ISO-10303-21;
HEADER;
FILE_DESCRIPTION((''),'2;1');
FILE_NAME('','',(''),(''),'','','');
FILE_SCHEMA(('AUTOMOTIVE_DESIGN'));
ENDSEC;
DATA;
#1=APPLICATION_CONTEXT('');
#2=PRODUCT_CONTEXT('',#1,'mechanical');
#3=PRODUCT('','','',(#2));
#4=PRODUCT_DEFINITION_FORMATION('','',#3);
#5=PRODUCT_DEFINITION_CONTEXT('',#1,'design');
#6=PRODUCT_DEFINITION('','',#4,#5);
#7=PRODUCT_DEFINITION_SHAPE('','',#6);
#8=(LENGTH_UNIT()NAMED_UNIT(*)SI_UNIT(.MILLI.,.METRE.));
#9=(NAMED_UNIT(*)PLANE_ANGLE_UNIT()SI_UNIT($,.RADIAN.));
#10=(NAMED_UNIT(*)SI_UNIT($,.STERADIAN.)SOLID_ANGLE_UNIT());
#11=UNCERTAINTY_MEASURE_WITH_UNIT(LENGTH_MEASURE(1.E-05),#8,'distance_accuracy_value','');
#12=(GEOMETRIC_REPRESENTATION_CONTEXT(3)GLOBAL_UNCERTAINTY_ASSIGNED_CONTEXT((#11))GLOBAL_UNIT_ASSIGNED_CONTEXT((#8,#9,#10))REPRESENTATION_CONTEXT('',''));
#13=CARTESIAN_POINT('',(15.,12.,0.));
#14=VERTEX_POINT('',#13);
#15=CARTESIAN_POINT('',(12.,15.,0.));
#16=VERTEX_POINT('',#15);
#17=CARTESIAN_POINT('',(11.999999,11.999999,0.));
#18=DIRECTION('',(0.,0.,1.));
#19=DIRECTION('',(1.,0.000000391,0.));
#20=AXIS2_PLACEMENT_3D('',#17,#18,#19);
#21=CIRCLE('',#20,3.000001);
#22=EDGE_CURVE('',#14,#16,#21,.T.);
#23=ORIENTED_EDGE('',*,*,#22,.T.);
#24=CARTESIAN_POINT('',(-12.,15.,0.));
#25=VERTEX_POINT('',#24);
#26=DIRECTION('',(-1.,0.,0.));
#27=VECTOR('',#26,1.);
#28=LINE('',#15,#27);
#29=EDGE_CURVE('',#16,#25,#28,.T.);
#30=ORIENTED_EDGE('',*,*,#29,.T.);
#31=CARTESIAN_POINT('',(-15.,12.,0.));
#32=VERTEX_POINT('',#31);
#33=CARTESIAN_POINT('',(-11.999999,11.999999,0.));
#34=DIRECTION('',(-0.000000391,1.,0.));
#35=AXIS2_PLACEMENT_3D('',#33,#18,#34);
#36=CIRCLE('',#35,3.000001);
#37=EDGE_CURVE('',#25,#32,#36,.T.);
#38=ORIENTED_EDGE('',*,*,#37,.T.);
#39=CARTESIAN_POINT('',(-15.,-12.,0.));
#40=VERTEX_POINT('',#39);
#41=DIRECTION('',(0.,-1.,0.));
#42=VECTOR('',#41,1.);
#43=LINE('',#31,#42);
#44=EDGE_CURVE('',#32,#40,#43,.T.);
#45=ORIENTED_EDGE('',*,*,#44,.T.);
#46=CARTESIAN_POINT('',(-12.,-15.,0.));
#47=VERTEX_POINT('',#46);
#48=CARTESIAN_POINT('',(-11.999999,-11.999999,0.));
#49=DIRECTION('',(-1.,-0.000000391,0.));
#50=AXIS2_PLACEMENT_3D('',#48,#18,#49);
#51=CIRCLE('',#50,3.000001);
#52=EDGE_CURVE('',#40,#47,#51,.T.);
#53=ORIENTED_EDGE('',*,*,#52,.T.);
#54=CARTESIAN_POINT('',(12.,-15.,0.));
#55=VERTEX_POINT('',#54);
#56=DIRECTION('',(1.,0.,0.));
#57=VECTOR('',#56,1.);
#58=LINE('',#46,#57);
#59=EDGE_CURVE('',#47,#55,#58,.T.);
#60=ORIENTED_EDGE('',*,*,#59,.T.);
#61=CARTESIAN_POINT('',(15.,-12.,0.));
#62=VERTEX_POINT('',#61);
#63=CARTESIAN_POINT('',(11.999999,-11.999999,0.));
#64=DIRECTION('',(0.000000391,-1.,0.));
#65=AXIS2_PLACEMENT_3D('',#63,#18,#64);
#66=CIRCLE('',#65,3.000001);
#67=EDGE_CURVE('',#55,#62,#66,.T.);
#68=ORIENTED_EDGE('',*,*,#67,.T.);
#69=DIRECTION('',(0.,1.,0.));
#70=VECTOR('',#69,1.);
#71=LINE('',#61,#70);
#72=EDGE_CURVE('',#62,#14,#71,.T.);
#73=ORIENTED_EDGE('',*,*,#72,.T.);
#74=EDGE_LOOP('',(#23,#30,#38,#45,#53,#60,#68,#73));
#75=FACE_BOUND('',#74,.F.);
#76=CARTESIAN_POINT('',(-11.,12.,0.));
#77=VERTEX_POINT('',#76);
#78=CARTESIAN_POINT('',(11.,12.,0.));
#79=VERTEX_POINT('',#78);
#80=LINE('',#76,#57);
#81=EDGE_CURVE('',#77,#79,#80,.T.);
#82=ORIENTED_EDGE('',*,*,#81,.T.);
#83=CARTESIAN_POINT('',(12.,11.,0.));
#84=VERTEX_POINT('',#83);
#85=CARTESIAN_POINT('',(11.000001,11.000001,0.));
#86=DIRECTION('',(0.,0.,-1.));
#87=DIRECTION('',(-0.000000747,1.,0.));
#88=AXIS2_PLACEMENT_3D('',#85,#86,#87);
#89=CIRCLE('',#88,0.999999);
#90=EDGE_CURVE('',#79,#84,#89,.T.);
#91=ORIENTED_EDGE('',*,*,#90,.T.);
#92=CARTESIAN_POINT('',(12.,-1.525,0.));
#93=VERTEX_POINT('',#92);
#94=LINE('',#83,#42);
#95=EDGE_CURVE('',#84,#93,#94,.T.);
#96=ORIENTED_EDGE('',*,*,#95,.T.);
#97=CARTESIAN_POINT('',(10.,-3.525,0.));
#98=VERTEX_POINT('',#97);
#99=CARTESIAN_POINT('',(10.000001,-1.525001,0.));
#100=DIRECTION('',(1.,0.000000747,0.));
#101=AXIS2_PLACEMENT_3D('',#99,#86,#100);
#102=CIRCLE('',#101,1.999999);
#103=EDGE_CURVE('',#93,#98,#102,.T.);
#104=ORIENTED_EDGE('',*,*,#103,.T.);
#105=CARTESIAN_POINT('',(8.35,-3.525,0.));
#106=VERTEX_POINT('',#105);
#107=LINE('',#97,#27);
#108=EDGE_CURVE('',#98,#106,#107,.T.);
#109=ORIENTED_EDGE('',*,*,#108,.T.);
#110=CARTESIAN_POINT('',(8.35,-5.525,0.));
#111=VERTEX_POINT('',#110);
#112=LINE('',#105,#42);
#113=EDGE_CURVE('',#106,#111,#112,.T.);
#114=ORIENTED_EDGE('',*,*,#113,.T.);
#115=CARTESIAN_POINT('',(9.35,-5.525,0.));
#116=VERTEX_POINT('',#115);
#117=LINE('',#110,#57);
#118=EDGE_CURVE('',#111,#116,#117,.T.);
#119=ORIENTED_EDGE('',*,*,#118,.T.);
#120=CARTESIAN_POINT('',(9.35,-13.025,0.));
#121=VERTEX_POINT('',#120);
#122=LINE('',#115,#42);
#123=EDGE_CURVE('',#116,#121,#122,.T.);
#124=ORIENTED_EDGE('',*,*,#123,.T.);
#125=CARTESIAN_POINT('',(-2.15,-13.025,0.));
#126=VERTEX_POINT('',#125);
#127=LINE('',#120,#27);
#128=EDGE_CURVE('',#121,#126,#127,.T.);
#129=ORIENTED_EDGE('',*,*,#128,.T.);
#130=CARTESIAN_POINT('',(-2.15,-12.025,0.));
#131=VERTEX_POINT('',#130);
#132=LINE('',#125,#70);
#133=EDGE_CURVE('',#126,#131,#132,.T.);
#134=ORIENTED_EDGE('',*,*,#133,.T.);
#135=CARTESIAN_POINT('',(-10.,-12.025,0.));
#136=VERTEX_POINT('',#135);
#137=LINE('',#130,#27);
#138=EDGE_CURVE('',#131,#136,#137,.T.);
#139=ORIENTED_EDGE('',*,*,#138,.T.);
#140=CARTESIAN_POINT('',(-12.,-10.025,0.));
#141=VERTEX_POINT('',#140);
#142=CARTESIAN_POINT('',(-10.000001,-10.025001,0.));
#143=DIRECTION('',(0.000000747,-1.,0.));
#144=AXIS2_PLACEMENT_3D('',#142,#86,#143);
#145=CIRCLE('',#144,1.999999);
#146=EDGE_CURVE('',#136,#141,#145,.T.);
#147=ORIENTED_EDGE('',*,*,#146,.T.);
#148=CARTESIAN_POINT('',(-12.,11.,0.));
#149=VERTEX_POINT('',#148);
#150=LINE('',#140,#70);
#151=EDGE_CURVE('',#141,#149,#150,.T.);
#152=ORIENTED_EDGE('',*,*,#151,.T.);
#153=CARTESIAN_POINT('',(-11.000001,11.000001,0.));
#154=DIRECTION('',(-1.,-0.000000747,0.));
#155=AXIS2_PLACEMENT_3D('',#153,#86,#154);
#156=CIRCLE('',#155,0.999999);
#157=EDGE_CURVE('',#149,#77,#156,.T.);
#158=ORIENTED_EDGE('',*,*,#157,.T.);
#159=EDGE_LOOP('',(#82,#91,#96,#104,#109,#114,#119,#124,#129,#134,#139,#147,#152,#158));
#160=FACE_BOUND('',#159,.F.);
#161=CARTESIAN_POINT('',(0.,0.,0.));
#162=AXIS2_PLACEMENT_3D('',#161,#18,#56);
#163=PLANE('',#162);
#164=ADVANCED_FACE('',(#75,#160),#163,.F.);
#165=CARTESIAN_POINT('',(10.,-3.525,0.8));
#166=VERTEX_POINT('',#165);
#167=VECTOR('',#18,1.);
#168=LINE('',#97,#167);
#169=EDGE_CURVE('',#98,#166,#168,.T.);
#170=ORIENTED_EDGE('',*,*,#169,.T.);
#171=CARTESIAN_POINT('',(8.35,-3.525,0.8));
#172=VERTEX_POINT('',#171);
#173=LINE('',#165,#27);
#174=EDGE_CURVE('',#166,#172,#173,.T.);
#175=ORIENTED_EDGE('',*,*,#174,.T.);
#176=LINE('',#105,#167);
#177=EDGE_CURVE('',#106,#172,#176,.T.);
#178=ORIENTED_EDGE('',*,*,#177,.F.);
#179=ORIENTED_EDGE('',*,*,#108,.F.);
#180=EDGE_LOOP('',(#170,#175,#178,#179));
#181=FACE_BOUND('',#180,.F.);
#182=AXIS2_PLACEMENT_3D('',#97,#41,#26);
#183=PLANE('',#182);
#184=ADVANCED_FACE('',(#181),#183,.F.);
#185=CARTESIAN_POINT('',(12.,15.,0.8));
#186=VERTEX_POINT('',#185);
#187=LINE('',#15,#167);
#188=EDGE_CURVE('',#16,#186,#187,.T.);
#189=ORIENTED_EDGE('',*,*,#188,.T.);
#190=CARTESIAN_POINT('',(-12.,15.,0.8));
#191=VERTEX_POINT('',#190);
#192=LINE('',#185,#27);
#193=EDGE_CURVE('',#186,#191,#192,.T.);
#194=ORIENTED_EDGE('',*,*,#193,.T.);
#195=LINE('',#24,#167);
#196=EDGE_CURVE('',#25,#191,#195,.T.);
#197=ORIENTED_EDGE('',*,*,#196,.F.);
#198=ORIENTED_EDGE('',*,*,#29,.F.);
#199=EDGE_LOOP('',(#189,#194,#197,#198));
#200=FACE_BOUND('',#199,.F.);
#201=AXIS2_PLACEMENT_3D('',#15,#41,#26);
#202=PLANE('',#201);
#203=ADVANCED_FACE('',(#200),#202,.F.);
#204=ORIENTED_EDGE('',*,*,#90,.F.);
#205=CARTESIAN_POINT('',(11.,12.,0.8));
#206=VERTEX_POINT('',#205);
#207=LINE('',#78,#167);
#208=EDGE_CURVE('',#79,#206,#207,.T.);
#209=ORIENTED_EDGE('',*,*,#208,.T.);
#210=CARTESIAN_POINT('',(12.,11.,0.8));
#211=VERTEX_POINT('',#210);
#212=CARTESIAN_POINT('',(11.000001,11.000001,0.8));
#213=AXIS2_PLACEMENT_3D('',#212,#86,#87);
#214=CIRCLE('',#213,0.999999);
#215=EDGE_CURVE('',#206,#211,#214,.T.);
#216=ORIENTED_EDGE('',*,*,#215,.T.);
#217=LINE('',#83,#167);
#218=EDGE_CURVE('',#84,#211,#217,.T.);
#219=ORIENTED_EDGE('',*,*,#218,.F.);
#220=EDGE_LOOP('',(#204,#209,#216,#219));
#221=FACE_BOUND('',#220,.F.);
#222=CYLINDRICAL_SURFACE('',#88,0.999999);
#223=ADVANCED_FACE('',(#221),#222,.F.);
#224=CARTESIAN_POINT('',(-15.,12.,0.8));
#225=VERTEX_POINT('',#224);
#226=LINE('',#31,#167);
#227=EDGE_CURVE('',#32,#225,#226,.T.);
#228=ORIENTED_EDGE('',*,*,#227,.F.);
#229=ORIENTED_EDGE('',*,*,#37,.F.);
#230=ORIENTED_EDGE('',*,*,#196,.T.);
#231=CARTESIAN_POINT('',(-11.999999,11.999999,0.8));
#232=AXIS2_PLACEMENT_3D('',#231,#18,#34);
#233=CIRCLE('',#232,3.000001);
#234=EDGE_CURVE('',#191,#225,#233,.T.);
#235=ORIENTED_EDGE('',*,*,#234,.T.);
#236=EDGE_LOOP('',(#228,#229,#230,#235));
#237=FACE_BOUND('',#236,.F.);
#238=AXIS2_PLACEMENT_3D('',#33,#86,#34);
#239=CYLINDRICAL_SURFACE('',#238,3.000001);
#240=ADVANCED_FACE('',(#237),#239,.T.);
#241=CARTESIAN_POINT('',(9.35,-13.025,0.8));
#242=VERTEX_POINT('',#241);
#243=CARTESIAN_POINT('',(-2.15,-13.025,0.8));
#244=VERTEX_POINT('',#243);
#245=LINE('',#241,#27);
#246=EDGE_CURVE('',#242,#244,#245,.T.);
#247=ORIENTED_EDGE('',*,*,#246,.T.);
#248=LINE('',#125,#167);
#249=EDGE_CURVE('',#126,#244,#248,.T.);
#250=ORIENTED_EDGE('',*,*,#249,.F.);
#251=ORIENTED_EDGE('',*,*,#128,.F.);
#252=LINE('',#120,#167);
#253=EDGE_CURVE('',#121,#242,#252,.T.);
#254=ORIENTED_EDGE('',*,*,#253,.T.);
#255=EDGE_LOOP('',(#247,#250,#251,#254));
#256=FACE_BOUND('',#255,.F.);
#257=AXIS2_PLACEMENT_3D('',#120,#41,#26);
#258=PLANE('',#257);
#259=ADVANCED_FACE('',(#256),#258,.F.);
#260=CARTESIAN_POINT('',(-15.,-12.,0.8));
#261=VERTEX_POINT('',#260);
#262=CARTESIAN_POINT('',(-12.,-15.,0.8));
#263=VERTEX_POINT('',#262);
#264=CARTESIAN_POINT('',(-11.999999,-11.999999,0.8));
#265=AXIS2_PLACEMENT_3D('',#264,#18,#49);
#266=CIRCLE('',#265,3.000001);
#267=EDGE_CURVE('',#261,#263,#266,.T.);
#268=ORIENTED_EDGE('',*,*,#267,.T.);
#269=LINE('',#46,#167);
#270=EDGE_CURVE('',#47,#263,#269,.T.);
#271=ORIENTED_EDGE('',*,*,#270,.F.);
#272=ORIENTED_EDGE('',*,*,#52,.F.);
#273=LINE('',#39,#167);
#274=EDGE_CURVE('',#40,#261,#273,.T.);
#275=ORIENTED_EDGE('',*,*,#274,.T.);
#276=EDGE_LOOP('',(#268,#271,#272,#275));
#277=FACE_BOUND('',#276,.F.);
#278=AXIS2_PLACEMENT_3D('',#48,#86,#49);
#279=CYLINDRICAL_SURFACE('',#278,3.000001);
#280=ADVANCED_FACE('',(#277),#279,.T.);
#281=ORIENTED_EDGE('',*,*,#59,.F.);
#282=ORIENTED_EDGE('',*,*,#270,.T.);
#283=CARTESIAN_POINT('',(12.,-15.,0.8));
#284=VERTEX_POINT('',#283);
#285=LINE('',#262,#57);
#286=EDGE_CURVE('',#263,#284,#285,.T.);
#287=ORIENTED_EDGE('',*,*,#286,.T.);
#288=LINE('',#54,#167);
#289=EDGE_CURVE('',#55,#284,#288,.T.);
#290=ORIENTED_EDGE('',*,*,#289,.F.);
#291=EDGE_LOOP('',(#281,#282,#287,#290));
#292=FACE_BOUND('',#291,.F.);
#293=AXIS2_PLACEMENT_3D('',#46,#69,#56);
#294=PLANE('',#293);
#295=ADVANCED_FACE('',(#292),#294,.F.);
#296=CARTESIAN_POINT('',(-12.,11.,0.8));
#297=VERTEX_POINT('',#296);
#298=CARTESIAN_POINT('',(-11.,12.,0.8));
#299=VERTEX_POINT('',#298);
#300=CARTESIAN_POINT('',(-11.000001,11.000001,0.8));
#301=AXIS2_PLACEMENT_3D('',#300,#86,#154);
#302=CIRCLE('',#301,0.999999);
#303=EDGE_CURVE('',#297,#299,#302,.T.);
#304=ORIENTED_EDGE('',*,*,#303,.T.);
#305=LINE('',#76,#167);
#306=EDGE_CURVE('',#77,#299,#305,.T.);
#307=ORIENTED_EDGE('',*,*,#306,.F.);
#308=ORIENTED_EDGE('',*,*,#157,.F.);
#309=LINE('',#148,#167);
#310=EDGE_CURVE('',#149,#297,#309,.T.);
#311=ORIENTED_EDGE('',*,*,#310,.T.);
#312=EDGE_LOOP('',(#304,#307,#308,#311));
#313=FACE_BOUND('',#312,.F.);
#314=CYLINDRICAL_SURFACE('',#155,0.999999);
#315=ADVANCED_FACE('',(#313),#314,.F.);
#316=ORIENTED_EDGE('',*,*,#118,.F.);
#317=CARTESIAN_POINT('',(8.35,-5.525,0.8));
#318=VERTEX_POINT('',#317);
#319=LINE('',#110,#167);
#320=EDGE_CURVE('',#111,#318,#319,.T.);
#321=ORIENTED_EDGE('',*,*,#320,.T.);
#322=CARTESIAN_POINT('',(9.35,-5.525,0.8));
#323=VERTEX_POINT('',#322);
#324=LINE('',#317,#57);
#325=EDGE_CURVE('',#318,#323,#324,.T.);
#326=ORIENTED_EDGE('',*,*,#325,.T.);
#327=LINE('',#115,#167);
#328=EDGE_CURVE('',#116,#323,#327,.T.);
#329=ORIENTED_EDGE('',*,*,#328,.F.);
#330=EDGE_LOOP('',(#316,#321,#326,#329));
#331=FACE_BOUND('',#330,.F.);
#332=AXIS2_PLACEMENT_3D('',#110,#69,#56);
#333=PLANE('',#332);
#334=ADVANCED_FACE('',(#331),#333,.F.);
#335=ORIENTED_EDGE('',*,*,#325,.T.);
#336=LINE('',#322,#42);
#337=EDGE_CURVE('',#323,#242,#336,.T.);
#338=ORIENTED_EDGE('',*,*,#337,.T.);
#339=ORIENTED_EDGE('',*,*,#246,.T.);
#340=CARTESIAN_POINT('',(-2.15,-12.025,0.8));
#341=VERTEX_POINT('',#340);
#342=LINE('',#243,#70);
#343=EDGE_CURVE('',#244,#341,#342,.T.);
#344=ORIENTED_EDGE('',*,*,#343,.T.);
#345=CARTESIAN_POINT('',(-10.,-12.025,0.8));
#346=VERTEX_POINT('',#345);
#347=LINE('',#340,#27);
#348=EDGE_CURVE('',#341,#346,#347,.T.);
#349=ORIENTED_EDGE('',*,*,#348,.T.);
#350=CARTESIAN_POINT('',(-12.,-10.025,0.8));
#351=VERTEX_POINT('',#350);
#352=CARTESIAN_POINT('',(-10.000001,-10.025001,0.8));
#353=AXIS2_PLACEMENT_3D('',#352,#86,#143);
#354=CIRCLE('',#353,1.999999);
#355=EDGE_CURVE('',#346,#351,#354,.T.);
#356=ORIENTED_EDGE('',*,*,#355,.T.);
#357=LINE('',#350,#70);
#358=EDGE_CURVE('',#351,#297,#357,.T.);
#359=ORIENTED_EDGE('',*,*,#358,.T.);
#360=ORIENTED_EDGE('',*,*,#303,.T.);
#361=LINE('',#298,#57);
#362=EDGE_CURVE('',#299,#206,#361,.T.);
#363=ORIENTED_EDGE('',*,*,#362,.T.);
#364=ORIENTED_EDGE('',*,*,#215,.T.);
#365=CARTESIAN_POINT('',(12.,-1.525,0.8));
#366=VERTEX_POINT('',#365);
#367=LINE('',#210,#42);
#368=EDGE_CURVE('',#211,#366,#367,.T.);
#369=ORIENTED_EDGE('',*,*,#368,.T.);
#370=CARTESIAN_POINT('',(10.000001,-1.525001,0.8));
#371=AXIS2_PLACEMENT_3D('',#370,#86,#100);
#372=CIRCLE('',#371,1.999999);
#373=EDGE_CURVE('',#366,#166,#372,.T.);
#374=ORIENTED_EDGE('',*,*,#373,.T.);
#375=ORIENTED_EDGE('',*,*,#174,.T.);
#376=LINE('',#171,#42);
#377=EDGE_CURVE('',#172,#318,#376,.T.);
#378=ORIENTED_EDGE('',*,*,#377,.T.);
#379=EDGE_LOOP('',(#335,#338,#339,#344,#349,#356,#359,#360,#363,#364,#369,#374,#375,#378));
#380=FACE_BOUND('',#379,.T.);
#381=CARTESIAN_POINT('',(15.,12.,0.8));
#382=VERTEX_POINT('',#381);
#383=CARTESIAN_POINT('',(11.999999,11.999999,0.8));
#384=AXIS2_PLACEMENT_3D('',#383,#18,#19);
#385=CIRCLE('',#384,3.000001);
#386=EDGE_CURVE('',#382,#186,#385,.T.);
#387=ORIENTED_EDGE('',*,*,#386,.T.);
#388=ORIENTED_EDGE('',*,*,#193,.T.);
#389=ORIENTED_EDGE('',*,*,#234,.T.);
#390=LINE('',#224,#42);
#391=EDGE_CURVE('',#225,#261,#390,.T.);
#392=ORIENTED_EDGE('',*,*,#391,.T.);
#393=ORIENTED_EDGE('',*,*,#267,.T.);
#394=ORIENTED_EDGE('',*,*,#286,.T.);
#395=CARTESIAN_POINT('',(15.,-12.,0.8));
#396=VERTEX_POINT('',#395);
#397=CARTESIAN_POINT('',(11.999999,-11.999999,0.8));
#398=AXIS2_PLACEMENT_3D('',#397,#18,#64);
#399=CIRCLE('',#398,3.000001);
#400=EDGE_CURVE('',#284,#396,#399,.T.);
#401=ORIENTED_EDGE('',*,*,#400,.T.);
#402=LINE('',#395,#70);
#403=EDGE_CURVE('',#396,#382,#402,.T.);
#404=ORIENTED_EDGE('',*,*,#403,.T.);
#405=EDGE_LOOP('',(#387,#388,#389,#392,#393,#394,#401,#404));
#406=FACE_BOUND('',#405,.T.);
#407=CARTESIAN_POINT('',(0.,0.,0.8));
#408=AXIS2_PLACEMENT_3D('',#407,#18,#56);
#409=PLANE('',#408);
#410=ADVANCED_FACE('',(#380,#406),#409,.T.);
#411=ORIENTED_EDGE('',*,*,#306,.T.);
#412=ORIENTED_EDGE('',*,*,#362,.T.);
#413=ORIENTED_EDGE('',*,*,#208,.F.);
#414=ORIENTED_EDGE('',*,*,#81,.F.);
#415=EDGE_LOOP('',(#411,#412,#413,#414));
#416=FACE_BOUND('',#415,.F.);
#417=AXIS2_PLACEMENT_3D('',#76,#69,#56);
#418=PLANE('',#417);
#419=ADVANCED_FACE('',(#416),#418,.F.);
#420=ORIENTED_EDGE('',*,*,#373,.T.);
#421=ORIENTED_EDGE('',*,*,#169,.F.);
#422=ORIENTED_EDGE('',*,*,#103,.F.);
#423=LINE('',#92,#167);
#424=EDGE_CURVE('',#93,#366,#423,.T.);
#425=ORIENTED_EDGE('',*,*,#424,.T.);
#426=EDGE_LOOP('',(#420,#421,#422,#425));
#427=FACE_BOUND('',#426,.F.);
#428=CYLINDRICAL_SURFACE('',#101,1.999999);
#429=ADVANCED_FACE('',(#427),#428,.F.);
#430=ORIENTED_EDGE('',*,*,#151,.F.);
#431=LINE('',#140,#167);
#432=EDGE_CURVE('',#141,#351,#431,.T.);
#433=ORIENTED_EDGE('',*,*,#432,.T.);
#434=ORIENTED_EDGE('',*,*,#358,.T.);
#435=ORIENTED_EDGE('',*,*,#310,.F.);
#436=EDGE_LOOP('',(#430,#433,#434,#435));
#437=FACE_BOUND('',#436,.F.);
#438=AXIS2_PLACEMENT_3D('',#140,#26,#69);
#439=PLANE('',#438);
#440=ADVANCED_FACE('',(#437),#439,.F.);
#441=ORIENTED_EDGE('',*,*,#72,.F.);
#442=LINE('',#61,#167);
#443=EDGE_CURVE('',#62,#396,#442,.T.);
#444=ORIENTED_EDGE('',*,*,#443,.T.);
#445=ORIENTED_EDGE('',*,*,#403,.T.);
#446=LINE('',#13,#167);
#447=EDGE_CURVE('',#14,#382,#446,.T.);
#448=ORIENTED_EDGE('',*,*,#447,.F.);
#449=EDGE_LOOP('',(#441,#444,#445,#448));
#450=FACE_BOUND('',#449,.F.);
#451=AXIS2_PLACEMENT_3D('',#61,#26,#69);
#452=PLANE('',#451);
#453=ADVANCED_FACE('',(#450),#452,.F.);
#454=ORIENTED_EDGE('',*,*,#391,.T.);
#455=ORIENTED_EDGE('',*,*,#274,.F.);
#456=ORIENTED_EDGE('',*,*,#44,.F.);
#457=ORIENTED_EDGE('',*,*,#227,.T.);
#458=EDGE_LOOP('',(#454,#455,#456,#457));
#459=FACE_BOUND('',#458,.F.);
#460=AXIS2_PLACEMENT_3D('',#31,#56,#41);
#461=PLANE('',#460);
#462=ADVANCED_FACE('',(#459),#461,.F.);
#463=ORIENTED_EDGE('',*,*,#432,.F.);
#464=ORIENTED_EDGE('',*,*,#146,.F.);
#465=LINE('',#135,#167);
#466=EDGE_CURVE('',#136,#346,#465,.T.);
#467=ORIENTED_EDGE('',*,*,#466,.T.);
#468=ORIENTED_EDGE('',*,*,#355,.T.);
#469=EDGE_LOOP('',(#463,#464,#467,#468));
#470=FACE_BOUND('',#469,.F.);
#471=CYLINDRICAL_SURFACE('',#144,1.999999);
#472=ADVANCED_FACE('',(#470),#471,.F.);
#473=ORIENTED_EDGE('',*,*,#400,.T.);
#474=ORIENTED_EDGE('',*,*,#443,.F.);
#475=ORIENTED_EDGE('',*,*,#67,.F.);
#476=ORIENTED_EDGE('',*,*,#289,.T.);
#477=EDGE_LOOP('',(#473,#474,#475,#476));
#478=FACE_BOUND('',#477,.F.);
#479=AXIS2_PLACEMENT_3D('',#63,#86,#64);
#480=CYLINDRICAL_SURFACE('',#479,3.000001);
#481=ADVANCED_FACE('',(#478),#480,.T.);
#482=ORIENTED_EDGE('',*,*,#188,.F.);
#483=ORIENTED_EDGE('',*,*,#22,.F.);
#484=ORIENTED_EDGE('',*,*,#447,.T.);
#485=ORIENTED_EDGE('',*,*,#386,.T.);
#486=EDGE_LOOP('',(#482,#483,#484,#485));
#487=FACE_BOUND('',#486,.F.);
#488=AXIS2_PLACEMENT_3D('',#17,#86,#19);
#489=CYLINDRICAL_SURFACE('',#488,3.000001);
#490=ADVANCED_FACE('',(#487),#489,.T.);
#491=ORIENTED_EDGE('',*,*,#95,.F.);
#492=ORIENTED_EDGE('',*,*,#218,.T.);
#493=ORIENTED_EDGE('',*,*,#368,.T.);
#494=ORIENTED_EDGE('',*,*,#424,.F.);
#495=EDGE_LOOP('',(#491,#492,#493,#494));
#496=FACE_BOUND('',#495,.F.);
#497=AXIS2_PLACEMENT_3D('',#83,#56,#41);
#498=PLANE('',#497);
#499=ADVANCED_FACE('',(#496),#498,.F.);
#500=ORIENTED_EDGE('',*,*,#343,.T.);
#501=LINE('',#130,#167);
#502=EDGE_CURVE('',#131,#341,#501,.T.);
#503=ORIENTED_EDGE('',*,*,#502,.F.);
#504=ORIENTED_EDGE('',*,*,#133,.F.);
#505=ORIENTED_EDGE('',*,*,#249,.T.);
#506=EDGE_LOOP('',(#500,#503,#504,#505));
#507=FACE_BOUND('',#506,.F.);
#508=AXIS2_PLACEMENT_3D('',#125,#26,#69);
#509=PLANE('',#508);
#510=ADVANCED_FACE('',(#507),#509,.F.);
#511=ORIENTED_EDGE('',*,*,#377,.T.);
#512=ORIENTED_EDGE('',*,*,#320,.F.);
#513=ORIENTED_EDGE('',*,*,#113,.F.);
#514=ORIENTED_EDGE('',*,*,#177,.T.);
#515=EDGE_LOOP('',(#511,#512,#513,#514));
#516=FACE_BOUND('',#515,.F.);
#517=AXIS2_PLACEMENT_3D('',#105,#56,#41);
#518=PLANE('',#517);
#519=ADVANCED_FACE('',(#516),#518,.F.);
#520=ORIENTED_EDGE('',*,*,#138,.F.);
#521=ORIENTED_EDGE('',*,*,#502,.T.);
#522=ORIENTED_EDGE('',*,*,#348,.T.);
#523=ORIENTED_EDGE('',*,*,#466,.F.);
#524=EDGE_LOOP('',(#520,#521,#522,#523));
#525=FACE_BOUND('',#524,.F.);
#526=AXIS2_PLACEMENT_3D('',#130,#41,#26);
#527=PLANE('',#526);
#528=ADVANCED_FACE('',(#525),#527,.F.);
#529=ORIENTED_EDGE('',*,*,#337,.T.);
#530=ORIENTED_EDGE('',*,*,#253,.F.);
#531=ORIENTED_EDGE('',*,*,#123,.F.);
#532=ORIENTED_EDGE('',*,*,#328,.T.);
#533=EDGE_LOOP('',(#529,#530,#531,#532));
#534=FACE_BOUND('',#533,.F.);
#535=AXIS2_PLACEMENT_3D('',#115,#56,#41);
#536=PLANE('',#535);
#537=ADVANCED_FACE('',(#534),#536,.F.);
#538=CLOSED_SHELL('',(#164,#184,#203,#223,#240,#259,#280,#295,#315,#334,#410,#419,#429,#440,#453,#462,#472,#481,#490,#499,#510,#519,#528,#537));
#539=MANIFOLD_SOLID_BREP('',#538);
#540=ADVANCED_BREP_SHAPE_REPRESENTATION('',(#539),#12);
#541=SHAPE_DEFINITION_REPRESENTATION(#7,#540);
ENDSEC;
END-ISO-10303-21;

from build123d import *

# Parameters (mm, degrees)
F1_DEPTH = 0.8


with BuildPart() as f1:
    # F0 (on Top) → F1 (new body)
    with BuildSketch(Plane.XY):
        with BuildLine():
            ThreePointArc((15, 12), (14.12132, 14.12132), (12, 15))
            Line((12, 15), (-12, 15))
            ThreePointArc((-12, 15), (-14.12132, 14.12132), (-15, 12))
            Line((-15, 12), (-15, -12))
            ThreePointArc((-15, -12), (-14.12132, -14.12132), (-12, -15))
            Line((-12, -15), (12, -15))
            ThreePointArc((12, -15), (14.12132, -14.12132), (15, -12))
            Line((15, -12), (15, 12))
        make_face()
        with BuildLine():
            Line((9.35, -13.025), (-2.15, -13.025))
            Line((-2.15, -13.025), (-2.15, -12.025))
            Line((-2.15, -12.025), (-10, -12.025))
            ThreePointArc((-10, -12.025), (-11.414214, -11.439214), (-12, -10.025))
            Line((-12, -10.025), (-12, 11))
            ThreePointArc((-12, 11), (-11.707107, 11.707107), (-11, 12))
            Line((-11, 12), (11, 12))
            ThreePointArc((11, 12), (11.707107, 11.707107), (12, 11))
            Line((12, 11), (12, -1.525))
            ThreePointArc((12, -1.525), (11.414214, -2.939214), (10, -3.525))
            Line((10, -3.525), (8.35, -3.525))
            Line((8.35, -3.525), (8.35, -5.525))
            Line((8.35, -5.525), (9.35, -5.525))
            Line((9.35, -5.525), (9.35, -13.025))
        make_face(mode=Mode.SUBTRACT)
    extrude(amount=F1_DEPTH)


solid = f1.part
